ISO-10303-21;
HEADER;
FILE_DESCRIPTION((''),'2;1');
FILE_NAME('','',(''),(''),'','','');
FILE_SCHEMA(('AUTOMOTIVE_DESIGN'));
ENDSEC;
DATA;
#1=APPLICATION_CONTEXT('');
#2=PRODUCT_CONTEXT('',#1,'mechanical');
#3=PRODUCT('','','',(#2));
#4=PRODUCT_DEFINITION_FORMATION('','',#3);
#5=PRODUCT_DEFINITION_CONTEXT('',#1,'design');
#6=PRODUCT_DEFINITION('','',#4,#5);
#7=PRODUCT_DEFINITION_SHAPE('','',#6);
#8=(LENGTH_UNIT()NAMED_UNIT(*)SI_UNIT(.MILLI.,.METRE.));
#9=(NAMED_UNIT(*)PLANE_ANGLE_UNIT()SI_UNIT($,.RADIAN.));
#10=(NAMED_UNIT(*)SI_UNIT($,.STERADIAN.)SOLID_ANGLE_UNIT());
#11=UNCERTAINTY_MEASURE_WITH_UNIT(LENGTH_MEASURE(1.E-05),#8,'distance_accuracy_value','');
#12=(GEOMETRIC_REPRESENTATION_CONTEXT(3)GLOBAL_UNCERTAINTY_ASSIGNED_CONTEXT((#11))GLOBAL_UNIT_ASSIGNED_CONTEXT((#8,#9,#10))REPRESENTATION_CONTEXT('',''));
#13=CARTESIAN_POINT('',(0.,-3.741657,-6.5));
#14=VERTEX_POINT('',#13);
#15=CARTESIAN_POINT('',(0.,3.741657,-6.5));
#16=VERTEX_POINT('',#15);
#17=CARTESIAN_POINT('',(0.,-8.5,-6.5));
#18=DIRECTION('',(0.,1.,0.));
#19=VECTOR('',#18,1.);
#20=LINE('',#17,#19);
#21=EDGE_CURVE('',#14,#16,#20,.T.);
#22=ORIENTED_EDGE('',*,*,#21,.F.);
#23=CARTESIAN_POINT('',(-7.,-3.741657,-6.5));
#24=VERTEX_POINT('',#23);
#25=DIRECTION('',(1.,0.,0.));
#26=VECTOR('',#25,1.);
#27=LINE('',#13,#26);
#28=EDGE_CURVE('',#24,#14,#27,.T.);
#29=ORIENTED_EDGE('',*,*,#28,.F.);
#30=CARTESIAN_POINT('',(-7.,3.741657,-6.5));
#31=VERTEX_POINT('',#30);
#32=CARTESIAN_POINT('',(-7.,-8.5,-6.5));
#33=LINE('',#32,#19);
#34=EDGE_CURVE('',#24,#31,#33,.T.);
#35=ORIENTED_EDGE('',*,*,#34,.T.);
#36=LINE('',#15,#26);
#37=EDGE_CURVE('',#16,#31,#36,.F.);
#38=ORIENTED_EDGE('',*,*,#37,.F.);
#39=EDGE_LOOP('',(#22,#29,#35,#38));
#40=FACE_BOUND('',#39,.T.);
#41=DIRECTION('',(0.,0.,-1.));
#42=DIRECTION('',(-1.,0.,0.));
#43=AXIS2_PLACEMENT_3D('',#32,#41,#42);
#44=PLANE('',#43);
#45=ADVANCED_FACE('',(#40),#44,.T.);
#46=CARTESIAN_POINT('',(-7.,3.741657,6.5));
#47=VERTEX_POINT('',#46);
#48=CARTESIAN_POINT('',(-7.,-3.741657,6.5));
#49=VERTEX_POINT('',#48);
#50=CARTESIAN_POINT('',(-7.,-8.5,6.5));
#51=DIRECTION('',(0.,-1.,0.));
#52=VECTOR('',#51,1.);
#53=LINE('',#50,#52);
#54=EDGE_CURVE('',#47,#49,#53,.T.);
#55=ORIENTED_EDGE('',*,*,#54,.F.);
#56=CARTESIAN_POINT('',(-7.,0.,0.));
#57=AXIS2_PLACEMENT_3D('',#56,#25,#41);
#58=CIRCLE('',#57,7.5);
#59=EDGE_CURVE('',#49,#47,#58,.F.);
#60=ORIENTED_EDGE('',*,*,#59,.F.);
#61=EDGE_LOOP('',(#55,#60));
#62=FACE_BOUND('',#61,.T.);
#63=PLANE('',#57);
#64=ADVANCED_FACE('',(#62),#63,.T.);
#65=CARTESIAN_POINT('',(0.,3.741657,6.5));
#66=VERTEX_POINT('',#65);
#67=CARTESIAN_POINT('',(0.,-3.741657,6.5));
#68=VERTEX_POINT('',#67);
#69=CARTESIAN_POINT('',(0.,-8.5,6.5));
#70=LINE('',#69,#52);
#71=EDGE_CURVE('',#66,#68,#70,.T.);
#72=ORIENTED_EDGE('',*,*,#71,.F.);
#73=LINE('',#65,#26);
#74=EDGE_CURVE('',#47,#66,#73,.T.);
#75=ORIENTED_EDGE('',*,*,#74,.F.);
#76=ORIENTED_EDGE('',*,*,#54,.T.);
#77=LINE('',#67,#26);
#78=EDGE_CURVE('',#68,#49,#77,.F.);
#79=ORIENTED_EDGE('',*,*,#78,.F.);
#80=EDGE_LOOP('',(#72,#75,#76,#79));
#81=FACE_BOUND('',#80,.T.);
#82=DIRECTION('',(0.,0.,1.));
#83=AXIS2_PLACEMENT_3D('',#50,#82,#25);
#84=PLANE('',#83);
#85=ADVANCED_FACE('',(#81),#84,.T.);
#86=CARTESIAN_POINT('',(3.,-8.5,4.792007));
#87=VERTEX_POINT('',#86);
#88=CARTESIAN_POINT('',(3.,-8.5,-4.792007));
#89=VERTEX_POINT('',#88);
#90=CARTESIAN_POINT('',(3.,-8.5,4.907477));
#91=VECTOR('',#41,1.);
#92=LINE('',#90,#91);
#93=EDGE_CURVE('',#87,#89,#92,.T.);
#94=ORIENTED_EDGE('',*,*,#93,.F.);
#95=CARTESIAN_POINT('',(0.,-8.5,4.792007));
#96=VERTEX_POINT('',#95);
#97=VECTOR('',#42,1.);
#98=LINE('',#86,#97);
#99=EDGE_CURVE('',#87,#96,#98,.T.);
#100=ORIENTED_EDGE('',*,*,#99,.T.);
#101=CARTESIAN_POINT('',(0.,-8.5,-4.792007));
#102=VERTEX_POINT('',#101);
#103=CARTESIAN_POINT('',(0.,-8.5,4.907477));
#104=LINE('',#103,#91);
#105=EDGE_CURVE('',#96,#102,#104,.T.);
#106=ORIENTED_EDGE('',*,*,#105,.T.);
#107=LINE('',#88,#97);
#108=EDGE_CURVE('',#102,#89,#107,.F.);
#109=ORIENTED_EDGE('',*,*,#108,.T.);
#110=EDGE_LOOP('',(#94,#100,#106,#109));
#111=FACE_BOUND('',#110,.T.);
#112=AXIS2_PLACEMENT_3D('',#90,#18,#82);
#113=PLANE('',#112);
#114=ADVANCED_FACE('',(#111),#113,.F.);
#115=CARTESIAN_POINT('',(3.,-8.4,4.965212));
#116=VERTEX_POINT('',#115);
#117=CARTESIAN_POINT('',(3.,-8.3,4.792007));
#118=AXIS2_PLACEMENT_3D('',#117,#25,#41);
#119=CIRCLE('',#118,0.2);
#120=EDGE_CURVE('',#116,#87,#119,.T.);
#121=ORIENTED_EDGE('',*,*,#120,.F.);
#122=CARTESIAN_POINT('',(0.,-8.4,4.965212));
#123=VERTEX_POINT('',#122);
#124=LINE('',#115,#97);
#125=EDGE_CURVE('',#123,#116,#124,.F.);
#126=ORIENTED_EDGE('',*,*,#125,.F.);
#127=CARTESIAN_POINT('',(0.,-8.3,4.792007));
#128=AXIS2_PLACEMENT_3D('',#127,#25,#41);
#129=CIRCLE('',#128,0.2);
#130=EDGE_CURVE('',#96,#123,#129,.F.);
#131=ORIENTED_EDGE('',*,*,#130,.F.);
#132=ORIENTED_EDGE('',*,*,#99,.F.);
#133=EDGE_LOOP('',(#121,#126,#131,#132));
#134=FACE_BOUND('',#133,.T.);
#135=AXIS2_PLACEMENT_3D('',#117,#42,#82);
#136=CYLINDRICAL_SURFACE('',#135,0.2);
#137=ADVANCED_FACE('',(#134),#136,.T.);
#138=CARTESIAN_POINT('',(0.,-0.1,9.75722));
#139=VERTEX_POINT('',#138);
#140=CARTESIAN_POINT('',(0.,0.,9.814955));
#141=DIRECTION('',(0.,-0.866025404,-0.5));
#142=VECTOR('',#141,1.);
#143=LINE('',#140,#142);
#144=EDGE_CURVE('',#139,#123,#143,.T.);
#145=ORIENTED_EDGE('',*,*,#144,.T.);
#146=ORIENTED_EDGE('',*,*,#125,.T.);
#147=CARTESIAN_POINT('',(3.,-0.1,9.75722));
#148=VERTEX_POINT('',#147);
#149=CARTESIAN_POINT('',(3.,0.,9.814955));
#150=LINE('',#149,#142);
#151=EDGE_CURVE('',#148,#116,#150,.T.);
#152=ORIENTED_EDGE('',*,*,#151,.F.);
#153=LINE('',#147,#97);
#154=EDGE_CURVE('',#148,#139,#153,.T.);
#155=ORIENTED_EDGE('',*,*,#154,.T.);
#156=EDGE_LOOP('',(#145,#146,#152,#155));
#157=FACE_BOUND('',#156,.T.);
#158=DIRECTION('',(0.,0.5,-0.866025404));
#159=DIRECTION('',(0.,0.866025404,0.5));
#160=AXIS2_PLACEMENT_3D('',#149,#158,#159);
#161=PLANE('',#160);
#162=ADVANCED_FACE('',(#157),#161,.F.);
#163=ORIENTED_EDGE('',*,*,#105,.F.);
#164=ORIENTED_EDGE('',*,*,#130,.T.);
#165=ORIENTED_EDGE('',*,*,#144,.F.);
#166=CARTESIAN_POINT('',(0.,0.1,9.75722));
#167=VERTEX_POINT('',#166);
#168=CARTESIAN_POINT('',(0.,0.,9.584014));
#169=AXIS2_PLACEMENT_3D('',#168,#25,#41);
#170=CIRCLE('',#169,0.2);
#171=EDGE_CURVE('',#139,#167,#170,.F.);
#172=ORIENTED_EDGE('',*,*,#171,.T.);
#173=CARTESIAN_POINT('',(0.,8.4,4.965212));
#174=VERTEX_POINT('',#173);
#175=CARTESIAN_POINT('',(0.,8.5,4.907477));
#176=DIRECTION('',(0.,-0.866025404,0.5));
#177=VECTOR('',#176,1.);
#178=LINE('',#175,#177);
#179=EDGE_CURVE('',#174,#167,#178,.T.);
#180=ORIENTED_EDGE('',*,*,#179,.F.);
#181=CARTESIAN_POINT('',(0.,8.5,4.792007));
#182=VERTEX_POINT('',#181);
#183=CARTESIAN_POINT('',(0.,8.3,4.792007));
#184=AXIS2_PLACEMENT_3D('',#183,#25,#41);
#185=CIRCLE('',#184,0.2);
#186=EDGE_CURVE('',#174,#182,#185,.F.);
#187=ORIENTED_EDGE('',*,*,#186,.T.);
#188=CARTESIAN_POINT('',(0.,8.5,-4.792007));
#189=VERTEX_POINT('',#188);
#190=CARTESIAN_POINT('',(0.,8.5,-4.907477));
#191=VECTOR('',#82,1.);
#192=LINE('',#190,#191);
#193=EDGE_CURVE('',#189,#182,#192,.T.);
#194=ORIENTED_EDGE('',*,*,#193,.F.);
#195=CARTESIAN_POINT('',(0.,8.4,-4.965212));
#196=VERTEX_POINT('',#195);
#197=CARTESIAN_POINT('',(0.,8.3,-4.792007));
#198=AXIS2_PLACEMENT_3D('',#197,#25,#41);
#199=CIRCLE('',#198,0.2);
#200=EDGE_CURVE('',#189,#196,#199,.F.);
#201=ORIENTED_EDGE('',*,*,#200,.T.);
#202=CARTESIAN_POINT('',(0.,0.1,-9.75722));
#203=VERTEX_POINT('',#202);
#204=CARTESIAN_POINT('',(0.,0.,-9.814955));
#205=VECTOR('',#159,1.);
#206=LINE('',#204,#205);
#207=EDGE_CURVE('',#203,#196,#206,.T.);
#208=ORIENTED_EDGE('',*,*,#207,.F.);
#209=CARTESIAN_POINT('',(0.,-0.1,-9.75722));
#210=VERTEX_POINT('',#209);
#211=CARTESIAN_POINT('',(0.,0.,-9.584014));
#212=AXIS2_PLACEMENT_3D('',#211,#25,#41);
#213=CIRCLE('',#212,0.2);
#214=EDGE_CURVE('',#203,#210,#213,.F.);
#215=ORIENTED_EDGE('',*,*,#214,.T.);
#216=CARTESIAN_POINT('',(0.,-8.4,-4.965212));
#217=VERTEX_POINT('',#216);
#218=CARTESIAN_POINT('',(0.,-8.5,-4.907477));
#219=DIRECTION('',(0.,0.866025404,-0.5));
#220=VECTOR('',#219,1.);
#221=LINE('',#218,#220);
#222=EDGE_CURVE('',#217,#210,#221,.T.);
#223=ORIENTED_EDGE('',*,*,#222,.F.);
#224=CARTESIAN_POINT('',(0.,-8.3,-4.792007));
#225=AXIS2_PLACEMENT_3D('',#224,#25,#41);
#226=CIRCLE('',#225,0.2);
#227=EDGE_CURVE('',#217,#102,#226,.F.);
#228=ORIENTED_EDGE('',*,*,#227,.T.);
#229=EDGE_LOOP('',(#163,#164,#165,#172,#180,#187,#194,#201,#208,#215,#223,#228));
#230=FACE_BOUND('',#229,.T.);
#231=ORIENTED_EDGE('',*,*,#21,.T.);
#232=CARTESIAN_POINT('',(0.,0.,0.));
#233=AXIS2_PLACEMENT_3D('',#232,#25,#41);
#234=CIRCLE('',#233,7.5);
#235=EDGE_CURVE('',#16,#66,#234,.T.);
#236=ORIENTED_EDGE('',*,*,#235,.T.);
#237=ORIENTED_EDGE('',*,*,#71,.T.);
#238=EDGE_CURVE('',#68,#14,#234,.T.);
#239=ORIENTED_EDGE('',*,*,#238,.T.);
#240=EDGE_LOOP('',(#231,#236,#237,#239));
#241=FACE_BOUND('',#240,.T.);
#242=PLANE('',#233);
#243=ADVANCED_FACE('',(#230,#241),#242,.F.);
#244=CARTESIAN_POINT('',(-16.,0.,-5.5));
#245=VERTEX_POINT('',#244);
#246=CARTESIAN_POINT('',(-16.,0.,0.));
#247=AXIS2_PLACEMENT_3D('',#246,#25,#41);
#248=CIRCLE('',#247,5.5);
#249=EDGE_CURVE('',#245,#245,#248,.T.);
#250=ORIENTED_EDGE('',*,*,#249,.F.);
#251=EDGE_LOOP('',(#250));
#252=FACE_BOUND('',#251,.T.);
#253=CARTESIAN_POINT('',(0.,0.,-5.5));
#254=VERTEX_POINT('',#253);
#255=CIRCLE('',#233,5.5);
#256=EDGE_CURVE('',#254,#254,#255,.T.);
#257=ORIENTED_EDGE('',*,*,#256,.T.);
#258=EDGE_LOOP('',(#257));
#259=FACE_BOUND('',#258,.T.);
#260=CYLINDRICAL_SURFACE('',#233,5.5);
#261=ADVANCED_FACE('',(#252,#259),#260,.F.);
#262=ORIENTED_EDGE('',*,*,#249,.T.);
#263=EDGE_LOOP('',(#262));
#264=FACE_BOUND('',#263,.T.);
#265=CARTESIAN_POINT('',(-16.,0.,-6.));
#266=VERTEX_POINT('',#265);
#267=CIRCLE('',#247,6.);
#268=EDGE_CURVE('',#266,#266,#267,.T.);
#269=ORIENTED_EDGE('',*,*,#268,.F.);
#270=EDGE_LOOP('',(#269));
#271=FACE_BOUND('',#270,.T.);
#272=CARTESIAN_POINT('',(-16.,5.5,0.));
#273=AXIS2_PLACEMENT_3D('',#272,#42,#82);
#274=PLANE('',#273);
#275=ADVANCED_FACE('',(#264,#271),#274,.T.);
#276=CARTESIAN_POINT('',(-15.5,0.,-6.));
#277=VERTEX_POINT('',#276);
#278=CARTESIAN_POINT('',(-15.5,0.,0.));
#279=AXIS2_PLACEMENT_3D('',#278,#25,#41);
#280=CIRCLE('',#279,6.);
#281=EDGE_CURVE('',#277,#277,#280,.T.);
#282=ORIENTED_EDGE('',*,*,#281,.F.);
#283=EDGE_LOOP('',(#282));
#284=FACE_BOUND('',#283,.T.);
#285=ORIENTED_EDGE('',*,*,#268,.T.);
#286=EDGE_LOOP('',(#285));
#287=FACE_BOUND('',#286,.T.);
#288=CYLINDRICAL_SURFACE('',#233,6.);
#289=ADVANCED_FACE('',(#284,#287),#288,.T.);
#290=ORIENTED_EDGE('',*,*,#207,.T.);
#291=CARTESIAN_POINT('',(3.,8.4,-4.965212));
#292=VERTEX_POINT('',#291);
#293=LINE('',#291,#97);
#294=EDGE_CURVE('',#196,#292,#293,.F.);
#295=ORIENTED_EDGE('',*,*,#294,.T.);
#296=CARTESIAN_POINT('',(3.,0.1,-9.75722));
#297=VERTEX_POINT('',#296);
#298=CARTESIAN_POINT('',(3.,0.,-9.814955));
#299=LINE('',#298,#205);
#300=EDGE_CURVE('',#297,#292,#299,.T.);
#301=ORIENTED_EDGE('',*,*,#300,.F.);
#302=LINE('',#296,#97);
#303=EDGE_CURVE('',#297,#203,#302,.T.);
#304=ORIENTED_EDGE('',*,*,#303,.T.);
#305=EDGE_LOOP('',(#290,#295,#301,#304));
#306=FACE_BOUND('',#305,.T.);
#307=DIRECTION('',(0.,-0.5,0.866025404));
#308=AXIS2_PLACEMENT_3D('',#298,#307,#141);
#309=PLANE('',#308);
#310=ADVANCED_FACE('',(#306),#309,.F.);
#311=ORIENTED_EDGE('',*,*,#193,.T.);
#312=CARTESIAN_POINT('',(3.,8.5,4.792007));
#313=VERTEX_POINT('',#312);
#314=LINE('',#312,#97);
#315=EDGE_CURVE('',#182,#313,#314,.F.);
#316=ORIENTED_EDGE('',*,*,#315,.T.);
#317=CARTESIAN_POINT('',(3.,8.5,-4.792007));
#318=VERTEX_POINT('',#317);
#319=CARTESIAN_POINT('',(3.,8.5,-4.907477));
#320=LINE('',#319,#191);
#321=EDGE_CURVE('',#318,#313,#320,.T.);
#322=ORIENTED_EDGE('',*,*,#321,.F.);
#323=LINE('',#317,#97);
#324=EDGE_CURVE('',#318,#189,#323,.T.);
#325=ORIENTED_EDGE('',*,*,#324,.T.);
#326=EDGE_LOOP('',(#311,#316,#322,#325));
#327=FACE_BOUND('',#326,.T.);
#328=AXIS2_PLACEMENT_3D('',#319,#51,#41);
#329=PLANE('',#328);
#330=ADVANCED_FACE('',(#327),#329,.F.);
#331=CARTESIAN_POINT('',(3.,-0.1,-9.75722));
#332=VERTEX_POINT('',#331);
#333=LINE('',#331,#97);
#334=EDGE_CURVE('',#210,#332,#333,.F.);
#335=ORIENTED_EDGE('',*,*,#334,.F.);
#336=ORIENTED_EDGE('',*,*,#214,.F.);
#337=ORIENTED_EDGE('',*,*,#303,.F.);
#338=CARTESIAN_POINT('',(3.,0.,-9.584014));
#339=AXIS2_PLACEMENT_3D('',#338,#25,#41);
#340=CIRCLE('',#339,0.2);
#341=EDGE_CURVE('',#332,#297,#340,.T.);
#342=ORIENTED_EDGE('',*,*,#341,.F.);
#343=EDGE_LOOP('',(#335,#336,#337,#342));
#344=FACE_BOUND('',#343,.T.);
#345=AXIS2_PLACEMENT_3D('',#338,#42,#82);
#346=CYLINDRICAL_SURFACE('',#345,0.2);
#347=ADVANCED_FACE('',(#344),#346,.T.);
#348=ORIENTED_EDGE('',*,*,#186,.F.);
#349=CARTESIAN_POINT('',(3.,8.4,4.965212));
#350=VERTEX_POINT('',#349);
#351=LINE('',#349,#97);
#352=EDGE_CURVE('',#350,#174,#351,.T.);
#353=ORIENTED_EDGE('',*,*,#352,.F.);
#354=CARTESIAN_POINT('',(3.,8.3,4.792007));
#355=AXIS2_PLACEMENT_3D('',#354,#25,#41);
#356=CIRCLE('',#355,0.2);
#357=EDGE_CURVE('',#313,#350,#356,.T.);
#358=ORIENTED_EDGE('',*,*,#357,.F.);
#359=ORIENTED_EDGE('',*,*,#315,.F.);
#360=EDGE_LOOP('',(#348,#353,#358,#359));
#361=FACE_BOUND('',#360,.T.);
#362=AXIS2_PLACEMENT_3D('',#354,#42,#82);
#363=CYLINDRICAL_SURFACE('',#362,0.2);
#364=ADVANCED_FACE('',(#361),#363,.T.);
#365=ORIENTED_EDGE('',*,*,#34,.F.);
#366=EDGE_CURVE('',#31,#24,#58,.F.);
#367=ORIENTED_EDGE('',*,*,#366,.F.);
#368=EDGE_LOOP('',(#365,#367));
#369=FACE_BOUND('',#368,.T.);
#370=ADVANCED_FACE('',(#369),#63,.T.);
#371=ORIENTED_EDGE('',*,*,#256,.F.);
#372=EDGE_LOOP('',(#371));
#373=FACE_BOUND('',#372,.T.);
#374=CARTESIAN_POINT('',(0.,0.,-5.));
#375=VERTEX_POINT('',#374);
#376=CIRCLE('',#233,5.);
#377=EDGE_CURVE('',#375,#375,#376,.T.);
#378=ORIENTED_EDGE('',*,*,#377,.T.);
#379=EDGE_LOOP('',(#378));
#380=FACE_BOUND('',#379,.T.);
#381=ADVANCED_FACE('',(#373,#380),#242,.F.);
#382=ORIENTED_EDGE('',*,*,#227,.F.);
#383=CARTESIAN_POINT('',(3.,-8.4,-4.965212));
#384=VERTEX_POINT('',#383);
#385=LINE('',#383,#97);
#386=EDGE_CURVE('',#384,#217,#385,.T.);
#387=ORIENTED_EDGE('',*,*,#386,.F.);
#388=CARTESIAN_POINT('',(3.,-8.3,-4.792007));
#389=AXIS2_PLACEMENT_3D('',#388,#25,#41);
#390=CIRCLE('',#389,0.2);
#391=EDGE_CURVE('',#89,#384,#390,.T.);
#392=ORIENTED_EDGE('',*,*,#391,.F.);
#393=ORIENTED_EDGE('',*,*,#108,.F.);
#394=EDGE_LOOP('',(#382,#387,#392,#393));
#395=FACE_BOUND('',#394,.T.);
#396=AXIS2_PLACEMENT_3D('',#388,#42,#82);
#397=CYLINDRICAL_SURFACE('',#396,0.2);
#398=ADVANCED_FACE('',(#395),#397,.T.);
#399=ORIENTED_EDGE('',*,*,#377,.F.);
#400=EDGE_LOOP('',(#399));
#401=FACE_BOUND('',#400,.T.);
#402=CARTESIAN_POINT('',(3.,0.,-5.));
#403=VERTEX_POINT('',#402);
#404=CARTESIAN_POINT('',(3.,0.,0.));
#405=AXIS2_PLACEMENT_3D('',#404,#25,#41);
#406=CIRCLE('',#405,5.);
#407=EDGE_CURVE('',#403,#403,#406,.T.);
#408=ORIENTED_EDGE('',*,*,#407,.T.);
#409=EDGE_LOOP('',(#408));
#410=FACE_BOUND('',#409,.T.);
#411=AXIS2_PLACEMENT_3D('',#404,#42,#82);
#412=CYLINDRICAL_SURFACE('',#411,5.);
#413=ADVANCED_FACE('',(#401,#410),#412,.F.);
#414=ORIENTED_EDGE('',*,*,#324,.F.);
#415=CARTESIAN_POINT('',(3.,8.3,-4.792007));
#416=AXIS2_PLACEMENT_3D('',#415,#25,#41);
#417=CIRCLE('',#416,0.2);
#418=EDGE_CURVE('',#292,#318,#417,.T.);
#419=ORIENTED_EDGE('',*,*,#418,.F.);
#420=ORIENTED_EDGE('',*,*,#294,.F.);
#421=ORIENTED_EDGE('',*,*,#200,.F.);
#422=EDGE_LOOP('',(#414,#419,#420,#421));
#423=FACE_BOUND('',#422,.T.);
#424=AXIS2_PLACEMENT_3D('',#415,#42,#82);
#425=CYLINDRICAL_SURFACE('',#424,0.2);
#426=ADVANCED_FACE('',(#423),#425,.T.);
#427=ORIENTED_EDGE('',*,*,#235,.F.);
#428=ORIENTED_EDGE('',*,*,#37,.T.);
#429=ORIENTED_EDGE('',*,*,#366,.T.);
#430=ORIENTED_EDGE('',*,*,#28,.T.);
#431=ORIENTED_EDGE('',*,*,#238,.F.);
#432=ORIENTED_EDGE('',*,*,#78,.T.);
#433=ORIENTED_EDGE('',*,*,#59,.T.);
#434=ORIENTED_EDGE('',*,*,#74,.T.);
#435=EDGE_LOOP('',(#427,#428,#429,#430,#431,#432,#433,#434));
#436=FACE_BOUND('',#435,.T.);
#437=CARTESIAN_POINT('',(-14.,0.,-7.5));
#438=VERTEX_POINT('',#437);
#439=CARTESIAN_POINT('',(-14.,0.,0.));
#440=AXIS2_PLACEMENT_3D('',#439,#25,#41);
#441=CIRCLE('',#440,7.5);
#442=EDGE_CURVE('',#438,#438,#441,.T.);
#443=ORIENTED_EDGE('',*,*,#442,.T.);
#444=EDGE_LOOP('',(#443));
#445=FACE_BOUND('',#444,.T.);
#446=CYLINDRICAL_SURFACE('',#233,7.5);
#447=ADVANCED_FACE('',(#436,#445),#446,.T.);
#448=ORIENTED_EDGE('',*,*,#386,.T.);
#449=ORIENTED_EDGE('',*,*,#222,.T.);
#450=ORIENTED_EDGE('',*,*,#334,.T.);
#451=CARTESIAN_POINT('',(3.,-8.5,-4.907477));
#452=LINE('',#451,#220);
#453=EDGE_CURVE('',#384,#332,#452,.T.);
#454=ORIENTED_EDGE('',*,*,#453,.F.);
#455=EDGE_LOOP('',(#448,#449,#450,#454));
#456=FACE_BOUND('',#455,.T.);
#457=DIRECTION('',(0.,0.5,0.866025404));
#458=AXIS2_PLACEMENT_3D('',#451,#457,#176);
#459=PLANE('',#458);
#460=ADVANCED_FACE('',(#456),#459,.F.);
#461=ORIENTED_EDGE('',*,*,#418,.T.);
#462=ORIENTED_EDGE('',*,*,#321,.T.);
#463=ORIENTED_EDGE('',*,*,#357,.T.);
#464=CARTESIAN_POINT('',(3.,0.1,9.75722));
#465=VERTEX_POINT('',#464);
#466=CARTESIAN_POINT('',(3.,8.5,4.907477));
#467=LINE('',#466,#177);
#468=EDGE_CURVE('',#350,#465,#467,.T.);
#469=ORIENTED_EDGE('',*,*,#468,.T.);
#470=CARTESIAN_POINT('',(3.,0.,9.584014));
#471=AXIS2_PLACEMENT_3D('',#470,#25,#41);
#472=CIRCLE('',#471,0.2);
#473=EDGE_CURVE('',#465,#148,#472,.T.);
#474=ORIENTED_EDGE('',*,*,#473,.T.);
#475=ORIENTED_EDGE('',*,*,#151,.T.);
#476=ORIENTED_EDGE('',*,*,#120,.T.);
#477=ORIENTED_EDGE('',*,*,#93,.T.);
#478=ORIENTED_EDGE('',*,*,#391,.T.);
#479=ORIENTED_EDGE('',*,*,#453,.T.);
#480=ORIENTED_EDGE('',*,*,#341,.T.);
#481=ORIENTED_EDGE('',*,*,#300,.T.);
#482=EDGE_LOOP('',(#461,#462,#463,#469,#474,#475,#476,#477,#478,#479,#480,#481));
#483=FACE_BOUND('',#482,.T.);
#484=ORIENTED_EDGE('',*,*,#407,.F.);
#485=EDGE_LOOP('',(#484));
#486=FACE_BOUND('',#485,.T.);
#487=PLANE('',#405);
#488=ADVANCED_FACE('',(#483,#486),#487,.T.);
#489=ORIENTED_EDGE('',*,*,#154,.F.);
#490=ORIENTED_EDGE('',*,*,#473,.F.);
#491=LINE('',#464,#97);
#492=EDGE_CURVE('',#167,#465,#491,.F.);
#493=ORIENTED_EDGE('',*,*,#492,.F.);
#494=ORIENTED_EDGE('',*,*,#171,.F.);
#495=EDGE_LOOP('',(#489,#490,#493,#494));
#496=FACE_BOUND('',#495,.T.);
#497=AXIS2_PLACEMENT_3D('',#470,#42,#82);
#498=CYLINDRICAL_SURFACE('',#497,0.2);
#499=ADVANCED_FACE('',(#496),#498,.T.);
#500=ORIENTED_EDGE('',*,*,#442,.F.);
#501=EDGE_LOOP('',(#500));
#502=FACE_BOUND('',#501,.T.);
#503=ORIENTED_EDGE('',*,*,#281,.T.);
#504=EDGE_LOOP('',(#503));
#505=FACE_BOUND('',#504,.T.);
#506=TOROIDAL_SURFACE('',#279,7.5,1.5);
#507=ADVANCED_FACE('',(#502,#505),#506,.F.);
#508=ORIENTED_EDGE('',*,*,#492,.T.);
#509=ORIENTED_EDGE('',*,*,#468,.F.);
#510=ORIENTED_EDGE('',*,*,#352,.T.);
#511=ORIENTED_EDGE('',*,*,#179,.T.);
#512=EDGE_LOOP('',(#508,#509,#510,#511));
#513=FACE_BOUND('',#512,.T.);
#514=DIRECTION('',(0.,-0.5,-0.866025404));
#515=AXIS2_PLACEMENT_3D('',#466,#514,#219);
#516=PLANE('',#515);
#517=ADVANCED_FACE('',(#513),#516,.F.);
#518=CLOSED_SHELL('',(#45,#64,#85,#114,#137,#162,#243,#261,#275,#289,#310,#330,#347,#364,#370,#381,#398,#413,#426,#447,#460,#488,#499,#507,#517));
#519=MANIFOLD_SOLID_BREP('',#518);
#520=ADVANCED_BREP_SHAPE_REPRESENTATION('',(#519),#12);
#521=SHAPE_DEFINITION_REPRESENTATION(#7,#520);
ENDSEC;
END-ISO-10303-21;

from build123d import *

# Parameters (mm, degrees)
SKETCH2_OUTSIDE_W   = 22.314
SKETCH2_OUTSIDE_H   = 22.314
SKETCH2_OUTSIDE_W_2 = 13
SKETCH2_OUTSIDE_H_2 = 17
CUT_EXTRUDE1_DEPTH  = 7
SKETCH3_R           = 5
BOSS_EXTRUDE1_DEPTH = 3
FILLET1_R           = 0.2


with BuildPart() as part:
    # Sketch1 → Revolve1 (revolve)
    with BuildSketch(Plane.XY, mode=Mode.PRIVATE) as revolve1_sk:
        with BuildLine():
            Line((0, 5.5), (-16, 5.5))
            Line((-16, 5.5), (-16, 6))
            Line((-16, 6), (-15.5, 6))
            ThreePointArc((-15.5, 6), (-14.439339828, 6.439339828), (-14, 7.5))
            Line((-14, 7.5), (0, 7.5))
            Line((0, 7.5), (0, 5.5))
        make_face()
    revolve(revolve1_sk.sketch.rotate(Axis((0, 0, 0), (-1, 0, 0)), 90), axis=Axis((0, 0, 0), (-1, 0, 0)))

    # Sketch2 outside → Cut-Extrude1 (cut)
    with BuildSketch(Plane(origin=(0, 0, 0), x_dir=(0, 0, -1), z_dir=(1, 0, 0))):
        Rectangle(SKETCH2_OUTSIDE_W, SKETCH2_OUTSIDE_H)
        Rectangle(SKETCH2_OUTSIDE_W_2, SKETCH2_OUTSIDE_H_2, mode=Mode.SUBTRACT)
    extrude(amount=-CUT_EXTRUDE1_DEPTH, mode=Mode.SUBTRACT)

    # Sketch3 → Boss-Extrude1 (add)
    with BuildSketch(Plane(origin=(0, 0, 0), x_dir=(0, 0, -1), z_dir=(1, 0, 0))):
        Polygon((9.814954576, 0), (4.907477288, 8.5), (-4.907477288, 8.5), (-9.814954576, 0), (-4.907477288, -8.5), (4.907477288, -8.5), align=None)
        Circle(SKETCH3_R, mode=Mode.SUBTRACT)
    extrude(amount=BOSS_EXTRUDE1_DEPTH)

    # Fillet1
    fillet1_edges = [part.edges().sort_by_distance(p)[0] for p in [
        (1.5, -8.5, -4.907477288),
        (1.5, 0, -9.814954576),
        (1.5, 8.5, -4.907477288),
        (1.5, 8.5, 4.907477288),
        (1.5, 0, 9.814954576),
        (1.5, -8.5, 4.907477288),
    ]]
    fillet(fillet1_edges, radius=FILLET1_R)


solid = part.part
